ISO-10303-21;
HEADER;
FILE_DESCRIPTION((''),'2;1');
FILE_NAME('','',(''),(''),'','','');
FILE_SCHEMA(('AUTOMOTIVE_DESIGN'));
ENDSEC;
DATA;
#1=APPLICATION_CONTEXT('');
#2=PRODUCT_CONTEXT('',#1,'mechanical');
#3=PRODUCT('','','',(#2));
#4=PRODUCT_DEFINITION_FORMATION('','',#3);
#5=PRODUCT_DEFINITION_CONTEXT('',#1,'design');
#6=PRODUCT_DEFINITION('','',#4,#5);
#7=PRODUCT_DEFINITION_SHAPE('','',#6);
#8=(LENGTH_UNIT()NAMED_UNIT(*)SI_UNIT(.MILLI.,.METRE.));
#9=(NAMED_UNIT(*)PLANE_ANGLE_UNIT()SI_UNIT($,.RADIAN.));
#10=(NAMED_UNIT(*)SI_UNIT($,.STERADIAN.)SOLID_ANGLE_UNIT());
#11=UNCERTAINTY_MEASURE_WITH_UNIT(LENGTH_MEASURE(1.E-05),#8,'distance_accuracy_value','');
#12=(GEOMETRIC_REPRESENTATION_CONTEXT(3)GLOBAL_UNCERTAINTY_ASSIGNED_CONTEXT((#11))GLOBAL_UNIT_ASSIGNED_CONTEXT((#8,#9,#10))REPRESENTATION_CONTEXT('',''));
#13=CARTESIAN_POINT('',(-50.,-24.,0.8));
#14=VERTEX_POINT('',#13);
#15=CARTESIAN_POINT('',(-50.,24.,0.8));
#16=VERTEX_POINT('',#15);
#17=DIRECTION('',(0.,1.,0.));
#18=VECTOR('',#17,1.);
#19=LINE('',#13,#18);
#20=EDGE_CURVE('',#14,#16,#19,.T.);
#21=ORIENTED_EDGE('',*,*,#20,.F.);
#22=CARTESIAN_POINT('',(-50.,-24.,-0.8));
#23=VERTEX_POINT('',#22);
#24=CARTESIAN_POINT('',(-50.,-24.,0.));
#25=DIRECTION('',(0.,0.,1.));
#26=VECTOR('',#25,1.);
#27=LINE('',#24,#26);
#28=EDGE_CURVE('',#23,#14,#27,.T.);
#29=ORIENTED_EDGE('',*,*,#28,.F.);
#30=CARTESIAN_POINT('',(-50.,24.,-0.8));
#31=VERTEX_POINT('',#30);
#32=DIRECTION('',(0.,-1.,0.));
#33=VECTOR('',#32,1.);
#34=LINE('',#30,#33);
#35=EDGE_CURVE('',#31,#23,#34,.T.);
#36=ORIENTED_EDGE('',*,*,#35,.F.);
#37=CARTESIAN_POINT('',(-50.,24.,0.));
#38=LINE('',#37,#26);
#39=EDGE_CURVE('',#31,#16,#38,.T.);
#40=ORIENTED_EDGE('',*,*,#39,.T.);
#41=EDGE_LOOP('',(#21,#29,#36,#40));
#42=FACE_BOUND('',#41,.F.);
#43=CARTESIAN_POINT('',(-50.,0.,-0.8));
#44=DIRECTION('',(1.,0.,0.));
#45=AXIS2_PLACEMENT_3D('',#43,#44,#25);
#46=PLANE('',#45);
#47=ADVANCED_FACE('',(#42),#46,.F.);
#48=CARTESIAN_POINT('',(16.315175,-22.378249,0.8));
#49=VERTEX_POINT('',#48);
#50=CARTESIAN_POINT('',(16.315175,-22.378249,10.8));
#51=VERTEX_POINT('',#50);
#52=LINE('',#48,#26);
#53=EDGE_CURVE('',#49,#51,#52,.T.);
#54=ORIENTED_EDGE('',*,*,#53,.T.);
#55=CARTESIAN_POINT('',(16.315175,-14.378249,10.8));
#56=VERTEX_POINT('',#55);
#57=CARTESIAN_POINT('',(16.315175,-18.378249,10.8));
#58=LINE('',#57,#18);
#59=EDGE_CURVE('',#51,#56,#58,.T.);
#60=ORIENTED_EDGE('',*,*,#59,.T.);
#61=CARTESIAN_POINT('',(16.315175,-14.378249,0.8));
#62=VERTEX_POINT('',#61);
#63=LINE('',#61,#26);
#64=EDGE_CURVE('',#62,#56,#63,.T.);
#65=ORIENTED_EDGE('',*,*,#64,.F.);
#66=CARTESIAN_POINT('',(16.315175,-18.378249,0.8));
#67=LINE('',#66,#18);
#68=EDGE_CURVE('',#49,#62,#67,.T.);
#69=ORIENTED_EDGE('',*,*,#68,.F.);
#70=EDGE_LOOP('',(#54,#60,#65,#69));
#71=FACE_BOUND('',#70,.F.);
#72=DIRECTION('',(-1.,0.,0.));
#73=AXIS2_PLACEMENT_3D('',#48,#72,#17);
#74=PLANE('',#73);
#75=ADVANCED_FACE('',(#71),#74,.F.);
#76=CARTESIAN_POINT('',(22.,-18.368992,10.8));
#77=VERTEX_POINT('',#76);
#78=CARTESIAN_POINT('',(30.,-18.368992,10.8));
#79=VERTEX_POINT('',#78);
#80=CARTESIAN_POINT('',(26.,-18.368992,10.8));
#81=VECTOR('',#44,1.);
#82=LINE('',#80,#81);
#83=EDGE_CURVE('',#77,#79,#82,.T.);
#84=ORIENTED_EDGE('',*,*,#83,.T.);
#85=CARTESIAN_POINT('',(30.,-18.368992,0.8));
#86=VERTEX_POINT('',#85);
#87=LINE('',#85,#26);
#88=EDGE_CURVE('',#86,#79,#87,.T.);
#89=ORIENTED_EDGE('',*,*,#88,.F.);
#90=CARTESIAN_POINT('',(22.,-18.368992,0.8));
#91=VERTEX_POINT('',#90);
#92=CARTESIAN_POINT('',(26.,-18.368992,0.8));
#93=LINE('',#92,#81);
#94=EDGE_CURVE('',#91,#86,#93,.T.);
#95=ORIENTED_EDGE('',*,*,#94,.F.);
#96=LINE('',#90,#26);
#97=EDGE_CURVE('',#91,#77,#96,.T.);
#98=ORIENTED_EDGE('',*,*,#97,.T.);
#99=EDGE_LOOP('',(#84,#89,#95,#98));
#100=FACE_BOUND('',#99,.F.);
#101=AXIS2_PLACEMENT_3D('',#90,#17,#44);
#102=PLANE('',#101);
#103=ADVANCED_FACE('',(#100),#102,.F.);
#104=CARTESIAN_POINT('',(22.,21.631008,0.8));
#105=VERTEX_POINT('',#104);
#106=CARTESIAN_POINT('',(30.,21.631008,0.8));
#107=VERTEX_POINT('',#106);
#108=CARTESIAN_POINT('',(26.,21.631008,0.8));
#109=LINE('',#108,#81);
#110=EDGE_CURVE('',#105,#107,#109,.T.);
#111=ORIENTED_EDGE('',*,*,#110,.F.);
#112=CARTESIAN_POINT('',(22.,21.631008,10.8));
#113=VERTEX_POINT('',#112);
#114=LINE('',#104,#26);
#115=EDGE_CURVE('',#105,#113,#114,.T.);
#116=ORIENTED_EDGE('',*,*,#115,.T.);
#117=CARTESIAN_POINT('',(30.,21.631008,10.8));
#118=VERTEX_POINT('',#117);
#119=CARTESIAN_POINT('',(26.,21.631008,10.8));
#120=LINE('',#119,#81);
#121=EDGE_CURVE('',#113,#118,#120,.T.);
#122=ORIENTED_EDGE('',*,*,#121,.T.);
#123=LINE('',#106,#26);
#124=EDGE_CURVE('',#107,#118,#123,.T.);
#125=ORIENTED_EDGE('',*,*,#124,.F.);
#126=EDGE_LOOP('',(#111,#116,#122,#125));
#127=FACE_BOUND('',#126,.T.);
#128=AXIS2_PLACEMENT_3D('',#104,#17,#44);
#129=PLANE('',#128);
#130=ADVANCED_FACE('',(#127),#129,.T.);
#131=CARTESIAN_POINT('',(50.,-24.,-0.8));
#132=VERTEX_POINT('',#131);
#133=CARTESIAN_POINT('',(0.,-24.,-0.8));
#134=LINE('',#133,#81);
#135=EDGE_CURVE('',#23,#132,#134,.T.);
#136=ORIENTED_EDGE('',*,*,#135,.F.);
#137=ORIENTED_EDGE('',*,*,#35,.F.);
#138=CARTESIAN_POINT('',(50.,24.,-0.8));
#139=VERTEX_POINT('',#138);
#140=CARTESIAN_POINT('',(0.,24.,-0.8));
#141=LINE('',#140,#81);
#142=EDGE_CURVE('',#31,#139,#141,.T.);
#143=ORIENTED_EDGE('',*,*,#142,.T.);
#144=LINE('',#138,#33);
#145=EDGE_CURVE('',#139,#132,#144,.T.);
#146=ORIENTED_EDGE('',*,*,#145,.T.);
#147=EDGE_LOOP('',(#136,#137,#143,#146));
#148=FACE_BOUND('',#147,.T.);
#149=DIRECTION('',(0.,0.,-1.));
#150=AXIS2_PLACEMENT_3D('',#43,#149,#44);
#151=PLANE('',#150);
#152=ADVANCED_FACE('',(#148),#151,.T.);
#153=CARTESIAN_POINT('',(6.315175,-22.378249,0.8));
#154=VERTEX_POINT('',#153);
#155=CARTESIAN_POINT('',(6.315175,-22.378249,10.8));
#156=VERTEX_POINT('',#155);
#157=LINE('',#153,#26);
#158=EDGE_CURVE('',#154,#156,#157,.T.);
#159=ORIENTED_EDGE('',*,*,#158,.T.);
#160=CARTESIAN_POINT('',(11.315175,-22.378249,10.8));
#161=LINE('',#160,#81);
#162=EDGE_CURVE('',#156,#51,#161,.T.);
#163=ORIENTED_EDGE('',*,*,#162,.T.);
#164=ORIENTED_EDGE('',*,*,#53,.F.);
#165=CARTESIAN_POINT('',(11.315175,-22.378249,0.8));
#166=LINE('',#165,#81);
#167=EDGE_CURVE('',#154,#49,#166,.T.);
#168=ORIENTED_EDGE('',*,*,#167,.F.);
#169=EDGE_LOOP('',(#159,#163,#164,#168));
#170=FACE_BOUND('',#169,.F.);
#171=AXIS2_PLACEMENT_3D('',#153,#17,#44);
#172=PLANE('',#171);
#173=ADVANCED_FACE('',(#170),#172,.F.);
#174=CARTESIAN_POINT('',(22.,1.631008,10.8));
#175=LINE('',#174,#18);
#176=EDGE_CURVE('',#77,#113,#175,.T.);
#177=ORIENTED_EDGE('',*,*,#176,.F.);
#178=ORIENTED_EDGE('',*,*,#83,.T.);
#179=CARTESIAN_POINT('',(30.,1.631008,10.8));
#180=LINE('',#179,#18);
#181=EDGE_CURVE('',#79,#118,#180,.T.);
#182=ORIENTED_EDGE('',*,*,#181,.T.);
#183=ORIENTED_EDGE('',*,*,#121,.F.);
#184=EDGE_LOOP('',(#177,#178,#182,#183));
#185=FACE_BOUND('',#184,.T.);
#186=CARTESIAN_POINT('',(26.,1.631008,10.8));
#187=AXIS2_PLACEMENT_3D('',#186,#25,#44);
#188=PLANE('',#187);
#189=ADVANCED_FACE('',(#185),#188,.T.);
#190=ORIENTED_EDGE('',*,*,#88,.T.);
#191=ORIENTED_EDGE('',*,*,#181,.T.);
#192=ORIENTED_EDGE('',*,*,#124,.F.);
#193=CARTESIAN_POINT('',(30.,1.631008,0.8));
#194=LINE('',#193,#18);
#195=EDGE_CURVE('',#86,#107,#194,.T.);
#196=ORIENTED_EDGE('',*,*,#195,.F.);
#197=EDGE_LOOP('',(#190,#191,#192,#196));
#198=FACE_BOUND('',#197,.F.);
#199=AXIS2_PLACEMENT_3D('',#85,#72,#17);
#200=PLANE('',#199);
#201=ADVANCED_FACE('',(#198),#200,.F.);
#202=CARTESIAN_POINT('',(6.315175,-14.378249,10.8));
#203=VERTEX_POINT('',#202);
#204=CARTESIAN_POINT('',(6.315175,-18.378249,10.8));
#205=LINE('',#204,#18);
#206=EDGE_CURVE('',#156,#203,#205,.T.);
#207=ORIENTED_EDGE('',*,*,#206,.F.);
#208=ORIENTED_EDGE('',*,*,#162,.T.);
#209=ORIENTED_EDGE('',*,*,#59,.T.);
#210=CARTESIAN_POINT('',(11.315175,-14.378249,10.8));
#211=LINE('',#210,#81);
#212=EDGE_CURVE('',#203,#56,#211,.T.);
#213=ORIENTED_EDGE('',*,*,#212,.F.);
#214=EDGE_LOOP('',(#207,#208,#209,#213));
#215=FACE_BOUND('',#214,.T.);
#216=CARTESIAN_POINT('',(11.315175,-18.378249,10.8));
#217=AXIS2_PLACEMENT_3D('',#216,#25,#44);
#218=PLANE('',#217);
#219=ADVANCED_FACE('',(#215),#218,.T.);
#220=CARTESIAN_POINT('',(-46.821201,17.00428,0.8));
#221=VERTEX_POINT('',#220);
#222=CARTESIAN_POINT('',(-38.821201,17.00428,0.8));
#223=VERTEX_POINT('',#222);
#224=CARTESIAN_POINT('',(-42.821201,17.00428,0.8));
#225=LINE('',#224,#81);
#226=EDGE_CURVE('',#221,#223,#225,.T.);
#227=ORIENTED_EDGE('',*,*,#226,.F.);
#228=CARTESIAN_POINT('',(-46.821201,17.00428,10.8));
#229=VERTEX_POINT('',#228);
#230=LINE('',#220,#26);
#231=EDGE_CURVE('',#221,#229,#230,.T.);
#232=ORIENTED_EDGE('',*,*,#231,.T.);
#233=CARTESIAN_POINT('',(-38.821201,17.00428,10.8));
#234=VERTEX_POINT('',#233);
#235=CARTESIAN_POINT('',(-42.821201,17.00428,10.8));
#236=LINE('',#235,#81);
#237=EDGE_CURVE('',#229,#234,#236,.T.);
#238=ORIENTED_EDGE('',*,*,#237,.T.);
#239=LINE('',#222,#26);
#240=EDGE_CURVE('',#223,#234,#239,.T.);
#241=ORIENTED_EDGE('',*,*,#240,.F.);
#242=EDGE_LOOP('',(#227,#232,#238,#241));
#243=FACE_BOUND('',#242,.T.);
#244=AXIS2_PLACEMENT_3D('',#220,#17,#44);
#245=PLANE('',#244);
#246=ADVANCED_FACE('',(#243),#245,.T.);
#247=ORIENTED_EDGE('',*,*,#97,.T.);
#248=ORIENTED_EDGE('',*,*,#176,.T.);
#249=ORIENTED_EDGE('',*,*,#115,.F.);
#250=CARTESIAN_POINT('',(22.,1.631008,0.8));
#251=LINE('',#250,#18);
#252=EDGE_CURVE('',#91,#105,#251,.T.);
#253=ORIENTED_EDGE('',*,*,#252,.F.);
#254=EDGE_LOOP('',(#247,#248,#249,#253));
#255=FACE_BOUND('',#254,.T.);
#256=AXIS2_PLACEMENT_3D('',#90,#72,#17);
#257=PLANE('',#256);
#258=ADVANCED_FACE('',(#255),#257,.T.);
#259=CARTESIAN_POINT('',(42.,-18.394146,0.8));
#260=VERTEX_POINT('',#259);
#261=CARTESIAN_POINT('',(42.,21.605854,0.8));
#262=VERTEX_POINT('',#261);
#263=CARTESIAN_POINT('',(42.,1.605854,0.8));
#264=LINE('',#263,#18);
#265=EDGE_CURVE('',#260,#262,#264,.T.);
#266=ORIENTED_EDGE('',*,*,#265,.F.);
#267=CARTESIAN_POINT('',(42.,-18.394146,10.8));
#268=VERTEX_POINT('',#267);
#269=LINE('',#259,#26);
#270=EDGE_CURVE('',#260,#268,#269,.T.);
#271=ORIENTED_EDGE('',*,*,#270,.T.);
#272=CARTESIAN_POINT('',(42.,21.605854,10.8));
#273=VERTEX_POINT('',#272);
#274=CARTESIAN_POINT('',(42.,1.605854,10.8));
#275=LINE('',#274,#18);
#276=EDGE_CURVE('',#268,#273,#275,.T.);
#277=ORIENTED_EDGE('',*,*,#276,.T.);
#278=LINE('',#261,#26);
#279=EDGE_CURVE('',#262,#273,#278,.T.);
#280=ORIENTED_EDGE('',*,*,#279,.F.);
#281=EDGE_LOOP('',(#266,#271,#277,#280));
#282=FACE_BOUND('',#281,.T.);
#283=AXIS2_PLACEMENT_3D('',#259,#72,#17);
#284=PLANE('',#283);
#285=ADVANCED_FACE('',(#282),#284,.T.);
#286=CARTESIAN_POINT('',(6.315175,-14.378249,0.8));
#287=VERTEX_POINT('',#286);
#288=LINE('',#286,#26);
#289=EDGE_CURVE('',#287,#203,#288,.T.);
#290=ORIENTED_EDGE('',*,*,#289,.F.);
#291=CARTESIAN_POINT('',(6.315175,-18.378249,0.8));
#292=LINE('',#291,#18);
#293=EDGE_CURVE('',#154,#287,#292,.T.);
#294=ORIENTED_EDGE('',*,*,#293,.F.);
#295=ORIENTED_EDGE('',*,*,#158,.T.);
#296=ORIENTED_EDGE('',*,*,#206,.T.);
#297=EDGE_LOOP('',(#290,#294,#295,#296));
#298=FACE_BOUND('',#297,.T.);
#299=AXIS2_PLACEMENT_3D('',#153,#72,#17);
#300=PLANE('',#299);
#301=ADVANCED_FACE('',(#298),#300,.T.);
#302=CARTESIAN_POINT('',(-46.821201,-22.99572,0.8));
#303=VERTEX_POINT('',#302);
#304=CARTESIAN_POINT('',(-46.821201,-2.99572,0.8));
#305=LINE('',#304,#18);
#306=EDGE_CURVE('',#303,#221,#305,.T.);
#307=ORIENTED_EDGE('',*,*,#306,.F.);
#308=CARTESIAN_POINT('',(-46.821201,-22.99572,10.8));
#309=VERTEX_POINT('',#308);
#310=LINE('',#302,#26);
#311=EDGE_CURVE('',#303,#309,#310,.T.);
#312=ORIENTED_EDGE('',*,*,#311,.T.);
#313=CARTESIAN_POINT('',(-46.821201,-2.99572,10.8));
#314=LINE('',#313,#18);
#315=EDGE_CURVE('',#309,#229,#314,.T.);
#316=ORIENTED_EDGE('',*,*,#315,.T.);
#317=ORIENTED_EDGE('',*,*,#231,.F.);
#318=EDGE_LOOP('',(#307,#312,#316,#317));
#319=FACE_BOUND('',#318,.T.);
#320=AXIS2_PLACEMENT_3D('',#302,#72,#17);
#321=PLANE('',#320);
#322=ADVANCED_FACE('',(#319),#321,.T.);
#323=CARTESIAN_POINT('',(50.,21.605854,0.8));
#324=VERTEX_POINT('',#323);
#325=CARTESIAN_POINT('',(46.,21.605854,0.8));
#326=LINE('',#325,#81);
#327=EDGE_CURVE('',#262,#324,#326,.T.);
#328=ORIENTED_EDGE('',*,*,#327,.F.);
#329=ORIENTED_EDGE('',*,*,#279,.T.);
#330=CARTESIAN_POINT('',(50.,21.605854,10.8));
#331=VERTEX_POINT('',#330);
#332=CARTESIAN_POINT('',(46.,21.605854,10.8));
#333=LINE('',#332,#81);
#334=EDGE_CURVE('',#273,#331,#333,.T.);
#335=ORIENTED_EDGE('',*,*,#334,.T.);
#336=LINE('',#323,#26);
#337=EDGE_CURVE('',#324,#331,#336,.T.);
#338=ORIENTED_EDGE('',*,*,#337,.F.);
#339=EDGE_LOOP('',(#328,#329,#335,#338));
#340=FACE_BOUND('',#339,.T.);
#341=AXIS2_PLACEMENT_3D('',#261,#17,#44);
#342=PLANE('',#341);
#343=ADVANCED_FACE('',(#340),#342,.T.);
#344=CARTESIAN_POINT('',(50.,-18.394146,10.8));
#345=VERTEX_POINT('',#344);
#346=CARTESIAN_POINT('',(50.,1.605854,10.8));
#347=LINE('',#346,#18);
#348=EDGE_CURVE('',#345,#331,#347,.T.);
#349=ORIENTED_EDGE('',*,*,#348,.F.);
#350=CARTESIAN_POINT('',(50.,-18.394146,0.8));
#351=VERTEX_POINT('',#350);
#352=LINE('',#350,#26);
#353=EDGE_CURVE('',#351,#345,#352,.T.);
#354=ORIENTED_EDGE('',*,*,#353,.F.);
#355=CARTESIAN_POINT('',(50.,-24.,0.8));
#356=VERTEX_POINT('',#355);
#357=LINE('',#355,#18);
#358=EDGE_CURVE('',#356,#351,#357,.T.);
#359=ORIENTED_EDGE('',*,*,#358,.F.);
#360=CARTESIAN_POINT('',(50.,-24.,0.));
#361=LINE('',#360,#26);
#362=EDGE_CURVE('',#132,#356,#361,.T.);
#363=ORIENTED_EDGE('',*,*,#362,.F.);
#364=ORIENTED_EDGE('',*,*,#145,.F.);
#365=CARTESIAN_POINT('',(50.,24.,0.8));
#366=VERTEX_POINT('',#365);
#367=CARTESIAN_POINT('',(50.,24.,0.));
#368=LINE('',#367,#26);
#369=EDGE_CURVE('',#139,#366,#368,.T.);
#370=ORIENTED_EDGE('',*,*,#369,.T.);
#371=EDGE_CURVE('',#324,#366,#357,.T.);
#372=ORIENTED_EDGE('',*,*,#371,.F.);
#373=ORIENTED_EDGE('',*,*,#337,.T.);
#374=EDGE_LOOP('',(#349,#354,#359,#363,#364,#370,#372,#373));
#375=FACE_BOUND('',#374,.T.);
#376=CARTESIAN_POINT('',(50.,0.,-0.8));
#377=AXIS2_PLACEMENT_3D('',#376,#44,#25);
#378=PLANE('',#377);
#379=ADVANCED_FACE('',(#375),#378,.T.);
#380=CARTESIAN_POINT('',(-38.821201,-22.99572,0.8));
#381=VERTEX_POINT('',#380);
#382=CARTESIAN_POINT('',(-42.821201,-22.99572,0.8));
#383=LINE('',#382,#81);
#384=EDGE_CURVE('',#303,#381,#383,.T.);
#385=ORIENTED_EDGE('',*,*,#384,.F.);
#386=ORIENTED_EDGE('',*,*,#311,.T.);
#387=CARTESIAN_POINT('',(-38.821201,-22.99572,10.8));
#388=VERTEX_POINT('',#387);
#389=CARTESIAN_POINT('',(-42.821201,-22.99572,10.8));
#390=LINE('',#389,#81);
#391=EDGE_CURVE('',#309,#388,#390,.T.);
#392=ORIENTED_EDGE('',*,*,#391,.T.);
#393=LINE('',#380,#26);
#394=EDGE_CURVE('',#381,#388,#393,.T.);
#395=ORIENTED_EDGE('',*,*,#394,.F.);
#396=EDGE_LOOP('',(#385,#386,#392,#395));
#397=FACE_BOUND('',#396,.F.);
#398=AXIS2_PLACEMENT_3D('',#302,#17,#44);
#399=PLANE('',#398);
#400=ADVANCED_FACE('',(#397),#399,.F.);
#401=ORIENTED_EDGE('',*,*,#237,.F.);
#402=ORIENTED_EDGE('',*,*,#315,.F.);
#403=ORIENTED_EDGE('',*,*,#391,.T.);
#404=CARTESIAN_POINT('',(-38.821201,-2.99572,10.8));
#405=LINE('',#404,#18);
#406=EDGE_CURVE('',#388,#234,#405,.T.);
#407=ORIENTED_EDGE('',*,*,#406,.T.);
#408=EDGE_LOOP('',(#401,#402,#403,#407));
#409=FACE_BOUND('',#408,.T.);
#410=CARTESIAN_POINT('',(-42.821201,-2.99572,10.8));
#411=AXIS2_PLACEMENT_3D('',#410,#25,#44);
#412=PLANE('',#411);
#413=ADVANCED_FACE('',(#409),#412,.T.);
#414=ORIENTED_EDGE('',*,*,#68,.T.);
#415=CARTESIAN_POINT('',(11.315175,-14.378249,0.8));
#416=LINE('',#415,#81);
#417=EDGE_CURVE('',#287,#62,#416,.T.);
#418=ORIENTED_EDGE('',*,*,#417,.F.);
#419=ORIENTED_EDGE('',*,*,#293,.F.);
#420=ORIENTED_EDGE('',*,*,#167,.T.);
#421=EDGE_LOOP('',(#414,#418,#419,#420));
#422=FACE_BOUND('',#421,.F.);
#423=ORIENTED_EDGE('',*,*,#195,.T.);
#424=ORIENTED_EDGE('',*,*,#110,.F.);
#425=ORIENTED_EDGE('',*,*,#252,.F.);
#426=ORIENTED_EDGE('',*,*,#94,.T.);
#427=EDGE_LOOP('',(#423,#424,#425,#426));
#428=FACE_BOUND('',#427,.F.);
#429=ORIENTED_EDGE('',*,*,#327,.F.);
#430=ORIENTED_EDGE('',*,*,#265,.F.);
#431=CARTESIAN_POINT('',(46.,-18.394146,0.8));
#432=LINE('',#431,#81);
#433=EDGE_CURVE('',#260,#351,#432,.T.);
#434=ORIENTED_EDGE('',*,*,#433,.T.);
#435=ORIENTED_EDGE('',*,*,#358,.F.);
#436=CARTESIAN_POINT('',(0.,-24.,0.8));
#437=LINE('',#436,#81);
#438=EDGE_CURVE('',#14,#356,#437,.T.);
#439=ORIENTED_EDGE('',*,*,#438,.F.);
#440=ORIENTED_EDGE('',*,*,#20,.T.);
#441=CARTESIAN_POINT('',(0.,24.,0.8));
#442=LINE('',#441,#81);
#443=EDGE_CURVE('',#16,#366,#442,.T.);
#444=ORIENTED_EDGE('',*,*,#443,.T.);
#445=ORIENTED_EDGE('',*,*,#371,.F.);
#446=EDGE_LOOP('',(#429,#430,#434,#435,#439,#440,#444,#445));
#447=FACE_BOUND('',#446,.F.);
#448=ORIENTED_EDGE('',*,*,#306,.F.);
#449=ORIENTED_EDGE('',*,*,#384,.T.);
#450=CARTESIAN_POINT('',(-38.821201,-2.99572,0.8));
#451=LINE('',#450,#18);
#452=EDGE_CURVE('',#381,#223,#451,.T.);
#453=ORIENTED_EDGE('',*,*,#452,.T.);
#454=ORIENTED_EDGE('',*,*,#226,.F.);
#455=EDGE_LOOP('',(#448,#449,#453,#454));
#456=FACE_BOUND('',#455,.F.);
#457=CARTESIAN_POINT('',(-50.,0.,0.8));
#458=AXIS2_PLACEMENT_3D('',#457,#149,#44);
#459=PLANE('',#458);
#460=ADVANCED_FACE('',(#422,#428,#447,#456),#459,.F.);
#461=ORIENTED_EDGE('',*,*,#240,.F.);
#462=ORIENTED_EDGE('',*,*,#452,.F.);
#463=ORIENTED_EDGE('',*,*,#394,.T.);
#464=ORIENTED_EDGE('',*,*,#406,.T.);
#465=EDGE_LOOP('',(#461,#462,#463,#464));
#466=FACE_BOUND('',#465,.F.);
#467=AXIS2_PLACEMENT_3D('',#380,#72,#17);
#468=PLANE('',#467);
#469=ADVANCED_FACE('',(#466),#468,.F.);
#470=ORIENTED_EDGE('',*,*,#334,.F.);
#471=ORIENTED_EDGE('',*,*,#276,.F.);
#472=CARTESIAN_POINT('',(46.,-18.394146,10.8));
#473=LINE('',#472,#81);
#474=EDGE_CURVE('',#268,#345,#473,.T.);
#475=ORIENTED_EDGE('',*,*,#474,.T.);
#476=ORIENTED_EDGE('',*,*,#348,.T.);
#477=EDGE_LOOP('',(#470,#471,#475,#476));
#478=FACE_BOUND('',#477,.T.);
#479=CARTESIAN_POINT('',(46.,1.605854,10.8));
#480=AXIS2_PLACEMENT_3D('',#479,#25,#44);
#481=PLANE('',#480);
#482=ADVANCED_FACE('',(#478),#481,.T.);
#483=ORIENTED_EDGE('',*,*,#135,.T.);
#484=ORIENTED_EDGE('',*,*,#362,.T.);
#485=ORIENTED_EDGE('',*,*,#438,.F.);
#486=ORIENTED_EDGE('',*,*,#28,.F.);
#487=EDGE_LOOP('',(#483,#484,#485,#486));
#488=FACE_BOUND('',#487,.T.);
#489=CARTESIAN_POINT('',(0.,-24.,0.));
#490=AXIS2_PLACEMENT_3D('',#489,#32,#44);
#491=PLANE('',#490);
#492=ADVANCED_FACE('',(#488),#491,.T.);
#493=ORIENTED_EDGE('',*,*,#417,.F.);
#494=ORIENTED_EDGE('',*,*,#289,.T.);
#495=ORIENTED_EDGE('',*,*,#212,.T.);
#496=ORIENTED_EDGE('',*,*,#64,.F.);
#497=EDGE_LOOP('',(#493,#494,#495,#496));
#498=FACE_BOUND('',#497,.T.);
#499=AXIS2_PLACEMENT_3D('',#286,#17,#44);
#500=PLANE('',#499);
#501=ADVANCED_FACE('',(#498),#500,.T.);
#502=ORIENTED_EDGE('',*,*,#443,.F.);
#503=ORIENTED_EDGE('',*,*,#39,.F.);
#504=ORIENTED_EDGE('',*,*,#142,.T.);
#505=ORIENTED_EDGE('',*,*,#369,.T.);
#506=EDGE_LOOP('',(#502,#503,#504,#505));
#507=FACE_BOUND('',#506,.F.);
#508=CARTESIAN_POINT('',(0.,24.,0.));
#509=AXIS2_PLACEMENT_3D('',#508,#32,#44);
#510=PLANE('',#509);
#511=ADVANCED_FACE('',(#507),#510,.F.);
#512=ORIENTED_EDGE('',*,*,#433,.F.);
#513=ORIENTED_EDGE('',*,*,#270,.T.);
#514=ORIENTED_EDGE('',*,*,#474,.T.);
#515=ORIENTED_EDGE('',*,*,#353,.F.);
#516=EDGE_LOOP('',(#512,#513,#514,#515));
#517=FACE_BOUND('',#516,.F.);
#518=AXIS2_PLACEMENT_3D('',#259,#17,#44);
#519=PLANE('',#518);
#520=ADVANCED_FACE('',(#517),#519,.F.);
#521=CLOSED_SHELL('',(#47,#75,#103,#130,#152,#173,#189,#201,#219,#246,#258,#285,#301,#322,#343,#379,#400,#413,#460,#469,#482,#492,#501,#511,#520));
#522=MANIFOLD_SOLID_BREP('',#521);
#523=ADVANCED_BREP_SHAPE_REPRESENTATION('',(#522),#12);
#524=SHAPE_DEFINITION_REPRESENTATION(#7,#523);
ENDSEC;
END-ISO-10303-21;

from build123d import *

# Parameters (mm, degrees)
F0_W     = 100
F0_H     = 1.6
F1_DEPTH = 24
F2_W     = 8
F2_H     = 40
F3_DEPTH = 10
F4_W     = 8
F4_H     = 40
F5_DEPTH = 10
F6_W     = 8
F6_H     = 40
F7_DEPTH = 10
F8_W     = 10
F8_H     = 8
F9_DEPTH = 10


with BuildPart() as f1:
    # F0 (on Front) → F1 (new body, symmetric)
    with BuildSketch(Plane.XZ):
        Rectangle(F0_W, F0_H)
    extrude(amount=F1_DEPTH, both=True)

    # F2 (on face) → F3 (join)
    with BuildSketch(Plane.XY.offset(0.8)):
        with Locations((-42.821201, -2.99572)):
            Rectangle(F2_W, F2_H)
    extrude(amount=F3_DEPTH)

    # F4 (on face) → F5 (join)
    with BuildSketch(Plane.XY.offset(0.8)):
        with Locations((46, 1.605854)):
            Rectangle(F4_W, F4_H)
    extrude(amount=F5_DEPTH)

    # F6 (on face) → F7 (join)
    with BuildSketch(Plane.XY.offset(0.8)):
        with Locations((26, 1.631008)):
            Rectangle(F6_W, F6_H)
    extrude(amount=F7_DEPTH)

    # F8 (on face) → F9 (join)
    with BuildSketch(Plane.XY.offset(0.8)):
        with Locations((11.315175, -18.378249)):
            Rectangle(F8_W, F8_H)
    extrude(amount=F9_DEPTH)


solid = f1.part
